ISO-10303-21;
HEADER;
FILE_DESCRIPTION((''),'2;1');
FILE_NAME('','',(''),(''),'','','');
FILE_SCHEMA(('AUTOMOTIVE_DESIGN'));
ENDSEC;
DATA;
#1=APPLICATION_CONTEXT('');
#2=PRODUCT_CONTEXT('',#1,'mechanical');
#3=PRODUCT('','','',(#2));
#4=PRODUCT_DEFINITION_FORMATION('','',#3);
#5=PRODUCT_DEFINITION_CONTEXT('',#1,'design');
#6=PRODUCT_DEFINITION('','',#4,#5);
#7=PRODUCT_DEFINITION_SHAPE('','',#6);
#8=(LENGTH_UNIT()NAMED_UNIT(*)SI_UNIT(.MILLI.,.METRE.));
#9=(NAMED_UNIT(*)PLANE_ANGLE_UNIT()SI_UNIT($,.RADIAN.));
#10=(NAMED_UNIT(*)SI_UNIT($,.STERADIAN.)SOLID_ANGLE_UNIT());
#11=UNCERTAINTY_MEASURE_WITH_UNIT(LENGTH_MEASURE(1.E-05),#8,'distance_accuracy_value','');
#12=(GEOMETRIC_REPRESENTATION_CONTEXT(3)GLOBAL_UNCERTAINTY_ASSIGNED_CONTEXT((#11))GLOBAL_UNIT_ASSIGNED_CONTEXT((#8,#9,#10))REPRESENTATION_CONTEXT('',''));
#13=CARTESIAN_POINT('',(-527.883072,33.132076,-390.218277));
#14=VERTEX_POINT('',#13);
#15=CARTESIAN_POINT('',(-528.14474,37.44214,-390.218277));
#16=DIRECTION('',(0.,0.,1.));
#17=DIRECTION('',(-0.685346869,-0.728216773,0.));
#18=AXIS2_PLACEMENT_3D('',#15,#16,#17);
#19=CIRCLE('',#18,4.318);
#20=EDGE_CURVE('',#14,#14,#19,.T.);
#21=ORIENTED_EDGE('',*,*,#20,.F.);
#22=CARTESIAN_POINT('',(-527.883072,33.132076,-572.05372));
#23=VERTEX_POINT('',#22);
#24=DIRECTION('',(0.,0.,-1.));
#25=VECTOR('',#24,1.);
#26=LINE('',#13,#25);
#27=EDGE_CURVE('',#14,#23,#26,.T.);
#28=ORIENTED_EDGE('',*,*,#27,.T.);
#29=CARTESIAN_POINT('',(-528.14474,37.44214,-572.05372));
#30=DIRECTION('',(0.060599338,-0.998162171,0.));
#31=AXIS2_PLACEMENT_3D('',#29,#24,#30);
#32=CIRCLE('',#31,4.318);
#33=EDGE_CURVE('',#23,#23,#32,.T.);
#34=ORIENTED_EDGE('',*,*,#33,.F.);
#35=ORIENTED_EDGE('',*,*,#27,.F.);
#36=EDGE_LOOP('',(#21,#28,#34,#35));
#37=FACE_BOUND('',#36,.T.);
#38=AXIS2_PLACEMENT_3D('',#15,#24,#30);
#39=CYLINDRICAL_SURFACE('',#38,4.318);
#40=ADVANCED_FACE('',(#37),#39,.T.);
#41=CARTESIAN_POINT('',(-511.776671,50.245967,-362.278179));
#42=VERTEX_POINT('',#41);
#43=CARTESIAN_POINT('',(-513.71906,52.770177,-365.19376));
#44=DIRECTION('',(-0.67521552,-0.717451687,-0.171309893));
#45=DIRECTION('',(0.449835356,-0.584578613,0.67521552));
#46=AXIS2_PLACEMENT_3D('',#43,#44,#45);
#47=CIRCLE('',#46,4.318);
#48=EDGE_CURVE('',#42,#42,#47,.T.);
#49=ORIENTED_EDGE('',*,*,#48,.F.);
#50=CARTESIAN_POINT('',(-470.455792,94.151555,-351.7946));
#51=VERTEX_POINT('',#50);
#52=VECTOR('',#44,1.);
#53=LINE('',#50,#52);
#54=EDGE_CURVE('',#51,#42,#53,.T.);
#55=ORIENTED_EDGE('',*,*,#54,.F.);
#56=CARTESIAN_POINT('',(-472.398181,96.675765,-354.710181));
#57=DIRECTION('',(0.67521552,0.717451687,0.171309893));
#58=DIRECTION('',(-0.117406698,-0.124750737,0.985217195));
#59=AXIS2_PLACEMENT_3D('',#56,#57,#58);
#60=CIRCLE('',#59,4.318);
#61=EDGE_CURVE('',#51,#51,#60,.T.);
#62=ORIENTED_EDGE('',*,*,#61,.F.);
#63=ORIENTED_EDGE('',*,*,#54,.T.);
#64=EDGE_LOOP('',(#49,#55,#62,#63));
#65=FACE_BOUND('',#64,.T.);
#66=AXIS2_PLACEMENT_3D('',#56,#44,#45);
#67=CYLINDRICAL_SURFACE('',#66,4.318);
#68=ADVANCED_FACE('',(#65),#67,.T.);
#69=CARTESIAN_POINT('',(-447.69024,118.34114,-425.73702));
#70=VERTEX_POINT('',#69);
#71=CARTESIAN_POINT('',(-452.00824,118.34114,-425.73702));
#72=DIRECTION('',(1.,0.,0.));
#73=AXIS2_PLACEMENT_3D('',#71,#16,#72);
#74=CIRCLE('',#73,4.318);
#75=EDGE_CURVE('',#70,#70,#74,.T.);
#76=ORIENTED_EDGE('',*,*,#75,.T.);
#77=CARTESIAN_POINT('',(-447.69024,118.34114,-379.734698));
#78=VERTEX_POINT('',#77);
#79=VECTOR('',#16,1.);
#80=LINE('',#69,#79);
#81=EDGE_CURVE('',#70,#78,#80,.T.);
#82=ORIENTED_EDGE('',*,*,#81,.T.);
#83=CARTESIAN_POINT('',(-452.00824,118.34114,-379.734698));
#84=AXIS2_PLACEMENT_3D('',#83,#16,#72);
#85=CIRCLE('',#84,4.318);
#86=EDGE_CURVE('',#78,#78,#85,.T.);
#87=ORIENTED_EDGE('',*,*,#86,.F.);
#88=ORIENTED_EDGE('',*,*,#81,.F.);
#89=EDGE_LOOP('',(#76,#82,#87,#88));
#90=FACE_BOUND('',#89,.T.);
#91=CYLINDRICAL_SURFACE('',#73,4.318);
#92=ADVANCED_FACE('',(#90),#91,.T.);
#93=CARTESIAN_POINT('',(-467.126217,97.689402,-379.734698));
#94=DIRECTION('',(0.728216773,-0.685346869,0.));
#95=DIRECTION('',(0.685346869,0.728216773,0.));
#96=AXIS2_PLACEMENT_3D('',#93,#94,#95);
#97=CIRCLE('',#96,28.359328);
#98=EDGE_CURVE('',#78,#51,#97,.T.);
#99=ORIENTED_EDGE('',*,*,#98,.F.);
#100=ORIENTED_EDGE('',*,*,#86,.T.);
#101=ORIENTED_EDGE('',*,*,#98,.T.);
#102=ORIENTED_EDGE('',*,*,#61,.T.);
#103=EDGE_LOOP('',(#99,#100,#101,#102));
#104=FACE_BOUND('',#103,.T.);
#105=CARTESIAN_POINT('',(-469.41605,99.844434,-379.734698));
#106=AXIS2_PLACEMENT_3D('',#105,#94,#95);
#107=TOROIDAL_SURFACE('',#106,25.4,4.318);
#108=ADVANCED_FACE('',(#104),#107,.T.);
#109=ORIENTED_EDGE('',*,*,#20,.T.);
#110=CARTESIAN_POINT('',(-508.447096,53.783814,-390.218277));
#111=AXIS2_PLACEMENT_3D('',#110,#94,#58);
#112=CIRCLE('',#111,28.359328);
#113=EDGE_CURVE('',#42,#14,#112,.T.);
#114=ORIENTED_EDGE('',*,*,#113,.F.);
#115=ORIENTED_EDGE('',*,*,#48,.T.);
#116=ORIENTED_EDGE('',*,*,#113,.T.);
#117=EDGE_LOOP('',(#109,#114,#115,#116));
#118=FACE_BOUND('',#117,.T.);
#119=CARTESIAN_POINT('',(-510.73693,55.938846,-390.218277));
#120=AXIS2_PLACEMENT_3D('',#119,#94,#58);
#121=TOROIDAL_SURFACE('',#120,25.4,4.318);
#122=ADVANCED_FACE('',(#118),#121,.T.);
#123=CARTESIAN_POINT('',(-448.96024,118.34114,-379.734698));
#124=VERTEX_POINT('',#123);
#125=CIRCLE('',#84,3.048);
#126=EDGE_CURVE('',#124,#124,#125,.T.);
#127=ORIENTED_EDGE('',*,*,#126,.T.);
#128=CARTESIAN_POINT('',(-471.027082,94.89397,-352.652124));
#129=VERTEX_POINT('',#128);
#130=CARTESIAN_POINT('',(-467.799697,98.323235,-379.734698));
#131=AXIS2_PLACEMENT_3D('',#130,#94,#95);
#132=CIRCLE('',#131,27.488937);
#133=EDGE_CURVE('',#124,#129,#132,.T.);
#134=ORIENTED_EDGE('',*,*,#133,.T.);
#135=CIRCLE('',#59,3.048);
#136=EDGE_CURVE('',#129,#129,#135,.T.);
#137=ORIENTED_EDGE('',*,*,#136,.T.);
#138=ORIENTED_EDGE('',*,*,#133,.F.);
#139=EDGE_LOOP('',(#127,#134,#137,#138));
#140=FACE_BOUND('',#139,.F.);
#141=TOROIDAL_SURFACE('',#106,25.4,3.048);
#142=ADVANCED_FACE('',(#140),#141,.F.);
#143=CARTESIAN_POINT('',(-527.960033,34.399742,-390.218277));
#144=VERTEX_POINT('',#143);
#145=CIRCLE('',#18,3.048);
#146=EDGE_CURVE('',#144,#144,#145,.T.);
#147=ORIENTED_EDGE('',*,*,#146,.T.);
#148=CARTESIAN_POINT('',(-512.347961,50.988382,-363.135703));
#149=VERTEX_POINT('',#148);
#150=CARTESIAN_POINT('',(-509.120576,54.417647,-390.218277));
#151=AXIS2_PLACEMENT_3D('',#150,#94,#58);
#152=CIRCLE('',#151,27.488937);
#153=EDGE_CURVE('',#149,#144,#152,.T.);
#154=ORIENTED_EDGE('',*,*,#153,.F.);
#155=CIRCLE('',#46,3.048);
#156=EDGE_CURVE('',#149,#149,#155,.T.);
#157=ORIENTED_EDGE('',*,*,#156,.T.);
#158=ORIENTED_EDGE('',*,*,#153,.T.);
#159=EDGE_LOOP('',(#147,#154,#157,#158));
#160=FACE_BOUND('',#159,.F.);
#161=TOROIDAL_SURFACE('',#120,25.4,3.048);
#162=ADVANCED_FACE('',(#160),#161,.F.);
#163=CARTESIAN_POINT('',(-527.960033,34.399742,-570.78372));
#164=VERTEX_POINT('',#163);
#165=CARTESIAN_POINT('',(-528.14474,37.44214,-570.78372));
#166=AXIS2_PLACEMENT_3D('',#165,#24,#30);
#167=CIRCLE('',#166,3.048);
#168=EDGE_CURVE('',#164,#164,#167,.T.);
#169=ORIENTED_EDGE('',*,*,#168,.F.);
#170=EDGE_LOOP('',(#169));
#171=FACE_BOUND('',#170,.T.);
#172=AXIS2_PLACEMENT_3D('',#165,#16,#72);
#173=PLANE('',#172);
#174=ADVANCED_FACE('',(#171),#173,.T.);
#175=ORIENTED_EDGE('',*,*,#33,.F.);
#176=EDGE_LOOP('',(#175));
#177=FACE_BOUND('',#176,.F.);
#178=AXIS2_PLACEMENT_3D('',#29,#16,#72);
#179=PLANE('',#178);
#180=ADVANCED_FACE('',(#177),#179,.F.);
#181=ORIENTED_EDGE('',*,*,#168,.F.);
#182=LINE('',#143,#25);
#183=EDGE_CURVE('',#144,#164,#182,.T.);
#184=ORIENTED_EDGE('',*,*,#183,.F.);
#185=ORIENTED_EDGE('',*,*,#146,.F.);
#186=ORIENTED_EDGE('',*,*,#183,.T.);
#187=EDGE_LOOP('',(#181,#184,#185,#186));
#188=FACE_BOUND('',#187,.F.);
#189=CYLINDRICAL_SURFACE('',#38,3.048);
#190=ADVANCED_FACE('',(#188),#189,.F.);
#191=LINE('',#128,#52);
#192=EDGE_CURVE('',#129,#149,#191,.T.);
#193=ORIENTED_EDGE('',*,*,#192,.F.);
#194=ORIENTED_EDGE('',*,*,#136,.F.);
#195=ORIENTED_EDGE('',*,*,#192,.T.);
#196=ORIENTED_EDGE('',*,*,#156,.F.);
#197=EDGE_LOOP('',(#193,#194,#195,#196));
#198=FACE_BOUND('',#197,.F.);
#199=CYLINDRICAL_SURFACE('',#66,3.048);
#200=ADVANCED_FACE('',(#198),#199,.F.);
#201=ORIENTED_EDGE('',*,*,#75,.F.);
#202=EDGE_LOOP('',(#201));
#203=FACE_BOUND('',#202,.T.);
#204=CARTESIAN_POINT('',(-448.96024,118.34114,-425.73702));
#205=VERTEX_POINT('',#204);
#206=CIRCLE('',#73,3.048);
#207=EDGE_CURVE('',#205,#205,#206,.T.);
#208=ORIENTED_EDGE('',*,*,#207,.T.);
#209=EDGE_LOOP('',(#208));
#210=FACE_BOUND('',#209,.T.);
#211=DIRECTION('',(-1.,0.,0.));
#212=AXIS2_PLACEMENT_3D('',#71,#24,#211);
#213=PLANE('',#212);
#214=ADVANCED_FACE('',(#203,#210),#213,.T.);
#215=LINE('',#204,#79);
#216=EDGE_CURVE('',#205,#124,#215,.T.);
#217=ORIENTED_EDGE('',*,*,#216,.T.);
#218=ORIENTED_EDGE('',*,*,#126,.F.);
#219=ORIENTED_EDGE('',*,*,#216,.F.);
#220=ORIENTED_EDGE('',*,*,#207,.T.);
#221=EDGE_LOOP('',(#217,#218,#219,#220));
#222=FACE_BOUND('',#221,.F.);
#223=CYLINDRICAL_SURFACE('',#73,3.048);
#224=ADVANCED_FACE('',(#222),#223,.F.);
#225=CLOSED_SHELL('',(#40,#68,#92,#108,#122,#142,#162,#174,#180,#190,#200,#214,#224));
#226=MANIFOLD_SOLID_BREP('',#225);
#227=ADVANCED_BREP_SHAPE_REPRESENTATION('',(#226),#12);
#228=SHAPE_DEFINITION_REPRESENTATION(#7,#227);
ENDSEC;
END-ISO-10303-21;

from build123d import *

# Parameters (mm, degrees)
F7_R  = 4.318
F16_T = -1.27


with BuildPart() as f15:
    # F15: sweep along a path in F14
    with BuildLine(Plane(origin=(-298.7616446838, 281.1736357738, 0), x_dir=(0.6853468691, 0.7282167734, 0), z_dir=(0.7282167734, -0.6853468691, 0))) as f15_path:
        Line((-223.6044289721, -425.73702), (-223.6044289721, -379.7346976591))
        ThreePointArc((-223.6044289721, -379.7346976591), (-232.6545404442, -360.2965612998), (-253.3557002418, -354.7101809138))
        Line((-253.3557002418, -354.7101809138), (-313.6476208898, -365.1937600687))
        ThreePointArc((-313.6476208898, -365.1937600687), (-328.7344859794, -373.8683882861), (-334.6963496201, -390.218276814))
        Line((-334.6963496201, -390.218276814), (-334.6963496201, -572.05372))
    # F7 (on line) → F15 (sweep)
    with BuildSketch(Plane(origin=(0, 0, -425.73702), x_dir=(1, 0, 0), z_dir=(0, 0, -1))):
        with Locations((-452.00824, -118.34114)):
            Circle(F7_R)
    sweep(path=f15_path.line)

    # F16
    f16_openings = [f15.faces().sort_by_distance(p)[0] for p in [
        (-452.00824, 118.34114, -425.73702),
    ]]
    offset(amount=F16_T, openings=f16_openings)


solid = f15.part
